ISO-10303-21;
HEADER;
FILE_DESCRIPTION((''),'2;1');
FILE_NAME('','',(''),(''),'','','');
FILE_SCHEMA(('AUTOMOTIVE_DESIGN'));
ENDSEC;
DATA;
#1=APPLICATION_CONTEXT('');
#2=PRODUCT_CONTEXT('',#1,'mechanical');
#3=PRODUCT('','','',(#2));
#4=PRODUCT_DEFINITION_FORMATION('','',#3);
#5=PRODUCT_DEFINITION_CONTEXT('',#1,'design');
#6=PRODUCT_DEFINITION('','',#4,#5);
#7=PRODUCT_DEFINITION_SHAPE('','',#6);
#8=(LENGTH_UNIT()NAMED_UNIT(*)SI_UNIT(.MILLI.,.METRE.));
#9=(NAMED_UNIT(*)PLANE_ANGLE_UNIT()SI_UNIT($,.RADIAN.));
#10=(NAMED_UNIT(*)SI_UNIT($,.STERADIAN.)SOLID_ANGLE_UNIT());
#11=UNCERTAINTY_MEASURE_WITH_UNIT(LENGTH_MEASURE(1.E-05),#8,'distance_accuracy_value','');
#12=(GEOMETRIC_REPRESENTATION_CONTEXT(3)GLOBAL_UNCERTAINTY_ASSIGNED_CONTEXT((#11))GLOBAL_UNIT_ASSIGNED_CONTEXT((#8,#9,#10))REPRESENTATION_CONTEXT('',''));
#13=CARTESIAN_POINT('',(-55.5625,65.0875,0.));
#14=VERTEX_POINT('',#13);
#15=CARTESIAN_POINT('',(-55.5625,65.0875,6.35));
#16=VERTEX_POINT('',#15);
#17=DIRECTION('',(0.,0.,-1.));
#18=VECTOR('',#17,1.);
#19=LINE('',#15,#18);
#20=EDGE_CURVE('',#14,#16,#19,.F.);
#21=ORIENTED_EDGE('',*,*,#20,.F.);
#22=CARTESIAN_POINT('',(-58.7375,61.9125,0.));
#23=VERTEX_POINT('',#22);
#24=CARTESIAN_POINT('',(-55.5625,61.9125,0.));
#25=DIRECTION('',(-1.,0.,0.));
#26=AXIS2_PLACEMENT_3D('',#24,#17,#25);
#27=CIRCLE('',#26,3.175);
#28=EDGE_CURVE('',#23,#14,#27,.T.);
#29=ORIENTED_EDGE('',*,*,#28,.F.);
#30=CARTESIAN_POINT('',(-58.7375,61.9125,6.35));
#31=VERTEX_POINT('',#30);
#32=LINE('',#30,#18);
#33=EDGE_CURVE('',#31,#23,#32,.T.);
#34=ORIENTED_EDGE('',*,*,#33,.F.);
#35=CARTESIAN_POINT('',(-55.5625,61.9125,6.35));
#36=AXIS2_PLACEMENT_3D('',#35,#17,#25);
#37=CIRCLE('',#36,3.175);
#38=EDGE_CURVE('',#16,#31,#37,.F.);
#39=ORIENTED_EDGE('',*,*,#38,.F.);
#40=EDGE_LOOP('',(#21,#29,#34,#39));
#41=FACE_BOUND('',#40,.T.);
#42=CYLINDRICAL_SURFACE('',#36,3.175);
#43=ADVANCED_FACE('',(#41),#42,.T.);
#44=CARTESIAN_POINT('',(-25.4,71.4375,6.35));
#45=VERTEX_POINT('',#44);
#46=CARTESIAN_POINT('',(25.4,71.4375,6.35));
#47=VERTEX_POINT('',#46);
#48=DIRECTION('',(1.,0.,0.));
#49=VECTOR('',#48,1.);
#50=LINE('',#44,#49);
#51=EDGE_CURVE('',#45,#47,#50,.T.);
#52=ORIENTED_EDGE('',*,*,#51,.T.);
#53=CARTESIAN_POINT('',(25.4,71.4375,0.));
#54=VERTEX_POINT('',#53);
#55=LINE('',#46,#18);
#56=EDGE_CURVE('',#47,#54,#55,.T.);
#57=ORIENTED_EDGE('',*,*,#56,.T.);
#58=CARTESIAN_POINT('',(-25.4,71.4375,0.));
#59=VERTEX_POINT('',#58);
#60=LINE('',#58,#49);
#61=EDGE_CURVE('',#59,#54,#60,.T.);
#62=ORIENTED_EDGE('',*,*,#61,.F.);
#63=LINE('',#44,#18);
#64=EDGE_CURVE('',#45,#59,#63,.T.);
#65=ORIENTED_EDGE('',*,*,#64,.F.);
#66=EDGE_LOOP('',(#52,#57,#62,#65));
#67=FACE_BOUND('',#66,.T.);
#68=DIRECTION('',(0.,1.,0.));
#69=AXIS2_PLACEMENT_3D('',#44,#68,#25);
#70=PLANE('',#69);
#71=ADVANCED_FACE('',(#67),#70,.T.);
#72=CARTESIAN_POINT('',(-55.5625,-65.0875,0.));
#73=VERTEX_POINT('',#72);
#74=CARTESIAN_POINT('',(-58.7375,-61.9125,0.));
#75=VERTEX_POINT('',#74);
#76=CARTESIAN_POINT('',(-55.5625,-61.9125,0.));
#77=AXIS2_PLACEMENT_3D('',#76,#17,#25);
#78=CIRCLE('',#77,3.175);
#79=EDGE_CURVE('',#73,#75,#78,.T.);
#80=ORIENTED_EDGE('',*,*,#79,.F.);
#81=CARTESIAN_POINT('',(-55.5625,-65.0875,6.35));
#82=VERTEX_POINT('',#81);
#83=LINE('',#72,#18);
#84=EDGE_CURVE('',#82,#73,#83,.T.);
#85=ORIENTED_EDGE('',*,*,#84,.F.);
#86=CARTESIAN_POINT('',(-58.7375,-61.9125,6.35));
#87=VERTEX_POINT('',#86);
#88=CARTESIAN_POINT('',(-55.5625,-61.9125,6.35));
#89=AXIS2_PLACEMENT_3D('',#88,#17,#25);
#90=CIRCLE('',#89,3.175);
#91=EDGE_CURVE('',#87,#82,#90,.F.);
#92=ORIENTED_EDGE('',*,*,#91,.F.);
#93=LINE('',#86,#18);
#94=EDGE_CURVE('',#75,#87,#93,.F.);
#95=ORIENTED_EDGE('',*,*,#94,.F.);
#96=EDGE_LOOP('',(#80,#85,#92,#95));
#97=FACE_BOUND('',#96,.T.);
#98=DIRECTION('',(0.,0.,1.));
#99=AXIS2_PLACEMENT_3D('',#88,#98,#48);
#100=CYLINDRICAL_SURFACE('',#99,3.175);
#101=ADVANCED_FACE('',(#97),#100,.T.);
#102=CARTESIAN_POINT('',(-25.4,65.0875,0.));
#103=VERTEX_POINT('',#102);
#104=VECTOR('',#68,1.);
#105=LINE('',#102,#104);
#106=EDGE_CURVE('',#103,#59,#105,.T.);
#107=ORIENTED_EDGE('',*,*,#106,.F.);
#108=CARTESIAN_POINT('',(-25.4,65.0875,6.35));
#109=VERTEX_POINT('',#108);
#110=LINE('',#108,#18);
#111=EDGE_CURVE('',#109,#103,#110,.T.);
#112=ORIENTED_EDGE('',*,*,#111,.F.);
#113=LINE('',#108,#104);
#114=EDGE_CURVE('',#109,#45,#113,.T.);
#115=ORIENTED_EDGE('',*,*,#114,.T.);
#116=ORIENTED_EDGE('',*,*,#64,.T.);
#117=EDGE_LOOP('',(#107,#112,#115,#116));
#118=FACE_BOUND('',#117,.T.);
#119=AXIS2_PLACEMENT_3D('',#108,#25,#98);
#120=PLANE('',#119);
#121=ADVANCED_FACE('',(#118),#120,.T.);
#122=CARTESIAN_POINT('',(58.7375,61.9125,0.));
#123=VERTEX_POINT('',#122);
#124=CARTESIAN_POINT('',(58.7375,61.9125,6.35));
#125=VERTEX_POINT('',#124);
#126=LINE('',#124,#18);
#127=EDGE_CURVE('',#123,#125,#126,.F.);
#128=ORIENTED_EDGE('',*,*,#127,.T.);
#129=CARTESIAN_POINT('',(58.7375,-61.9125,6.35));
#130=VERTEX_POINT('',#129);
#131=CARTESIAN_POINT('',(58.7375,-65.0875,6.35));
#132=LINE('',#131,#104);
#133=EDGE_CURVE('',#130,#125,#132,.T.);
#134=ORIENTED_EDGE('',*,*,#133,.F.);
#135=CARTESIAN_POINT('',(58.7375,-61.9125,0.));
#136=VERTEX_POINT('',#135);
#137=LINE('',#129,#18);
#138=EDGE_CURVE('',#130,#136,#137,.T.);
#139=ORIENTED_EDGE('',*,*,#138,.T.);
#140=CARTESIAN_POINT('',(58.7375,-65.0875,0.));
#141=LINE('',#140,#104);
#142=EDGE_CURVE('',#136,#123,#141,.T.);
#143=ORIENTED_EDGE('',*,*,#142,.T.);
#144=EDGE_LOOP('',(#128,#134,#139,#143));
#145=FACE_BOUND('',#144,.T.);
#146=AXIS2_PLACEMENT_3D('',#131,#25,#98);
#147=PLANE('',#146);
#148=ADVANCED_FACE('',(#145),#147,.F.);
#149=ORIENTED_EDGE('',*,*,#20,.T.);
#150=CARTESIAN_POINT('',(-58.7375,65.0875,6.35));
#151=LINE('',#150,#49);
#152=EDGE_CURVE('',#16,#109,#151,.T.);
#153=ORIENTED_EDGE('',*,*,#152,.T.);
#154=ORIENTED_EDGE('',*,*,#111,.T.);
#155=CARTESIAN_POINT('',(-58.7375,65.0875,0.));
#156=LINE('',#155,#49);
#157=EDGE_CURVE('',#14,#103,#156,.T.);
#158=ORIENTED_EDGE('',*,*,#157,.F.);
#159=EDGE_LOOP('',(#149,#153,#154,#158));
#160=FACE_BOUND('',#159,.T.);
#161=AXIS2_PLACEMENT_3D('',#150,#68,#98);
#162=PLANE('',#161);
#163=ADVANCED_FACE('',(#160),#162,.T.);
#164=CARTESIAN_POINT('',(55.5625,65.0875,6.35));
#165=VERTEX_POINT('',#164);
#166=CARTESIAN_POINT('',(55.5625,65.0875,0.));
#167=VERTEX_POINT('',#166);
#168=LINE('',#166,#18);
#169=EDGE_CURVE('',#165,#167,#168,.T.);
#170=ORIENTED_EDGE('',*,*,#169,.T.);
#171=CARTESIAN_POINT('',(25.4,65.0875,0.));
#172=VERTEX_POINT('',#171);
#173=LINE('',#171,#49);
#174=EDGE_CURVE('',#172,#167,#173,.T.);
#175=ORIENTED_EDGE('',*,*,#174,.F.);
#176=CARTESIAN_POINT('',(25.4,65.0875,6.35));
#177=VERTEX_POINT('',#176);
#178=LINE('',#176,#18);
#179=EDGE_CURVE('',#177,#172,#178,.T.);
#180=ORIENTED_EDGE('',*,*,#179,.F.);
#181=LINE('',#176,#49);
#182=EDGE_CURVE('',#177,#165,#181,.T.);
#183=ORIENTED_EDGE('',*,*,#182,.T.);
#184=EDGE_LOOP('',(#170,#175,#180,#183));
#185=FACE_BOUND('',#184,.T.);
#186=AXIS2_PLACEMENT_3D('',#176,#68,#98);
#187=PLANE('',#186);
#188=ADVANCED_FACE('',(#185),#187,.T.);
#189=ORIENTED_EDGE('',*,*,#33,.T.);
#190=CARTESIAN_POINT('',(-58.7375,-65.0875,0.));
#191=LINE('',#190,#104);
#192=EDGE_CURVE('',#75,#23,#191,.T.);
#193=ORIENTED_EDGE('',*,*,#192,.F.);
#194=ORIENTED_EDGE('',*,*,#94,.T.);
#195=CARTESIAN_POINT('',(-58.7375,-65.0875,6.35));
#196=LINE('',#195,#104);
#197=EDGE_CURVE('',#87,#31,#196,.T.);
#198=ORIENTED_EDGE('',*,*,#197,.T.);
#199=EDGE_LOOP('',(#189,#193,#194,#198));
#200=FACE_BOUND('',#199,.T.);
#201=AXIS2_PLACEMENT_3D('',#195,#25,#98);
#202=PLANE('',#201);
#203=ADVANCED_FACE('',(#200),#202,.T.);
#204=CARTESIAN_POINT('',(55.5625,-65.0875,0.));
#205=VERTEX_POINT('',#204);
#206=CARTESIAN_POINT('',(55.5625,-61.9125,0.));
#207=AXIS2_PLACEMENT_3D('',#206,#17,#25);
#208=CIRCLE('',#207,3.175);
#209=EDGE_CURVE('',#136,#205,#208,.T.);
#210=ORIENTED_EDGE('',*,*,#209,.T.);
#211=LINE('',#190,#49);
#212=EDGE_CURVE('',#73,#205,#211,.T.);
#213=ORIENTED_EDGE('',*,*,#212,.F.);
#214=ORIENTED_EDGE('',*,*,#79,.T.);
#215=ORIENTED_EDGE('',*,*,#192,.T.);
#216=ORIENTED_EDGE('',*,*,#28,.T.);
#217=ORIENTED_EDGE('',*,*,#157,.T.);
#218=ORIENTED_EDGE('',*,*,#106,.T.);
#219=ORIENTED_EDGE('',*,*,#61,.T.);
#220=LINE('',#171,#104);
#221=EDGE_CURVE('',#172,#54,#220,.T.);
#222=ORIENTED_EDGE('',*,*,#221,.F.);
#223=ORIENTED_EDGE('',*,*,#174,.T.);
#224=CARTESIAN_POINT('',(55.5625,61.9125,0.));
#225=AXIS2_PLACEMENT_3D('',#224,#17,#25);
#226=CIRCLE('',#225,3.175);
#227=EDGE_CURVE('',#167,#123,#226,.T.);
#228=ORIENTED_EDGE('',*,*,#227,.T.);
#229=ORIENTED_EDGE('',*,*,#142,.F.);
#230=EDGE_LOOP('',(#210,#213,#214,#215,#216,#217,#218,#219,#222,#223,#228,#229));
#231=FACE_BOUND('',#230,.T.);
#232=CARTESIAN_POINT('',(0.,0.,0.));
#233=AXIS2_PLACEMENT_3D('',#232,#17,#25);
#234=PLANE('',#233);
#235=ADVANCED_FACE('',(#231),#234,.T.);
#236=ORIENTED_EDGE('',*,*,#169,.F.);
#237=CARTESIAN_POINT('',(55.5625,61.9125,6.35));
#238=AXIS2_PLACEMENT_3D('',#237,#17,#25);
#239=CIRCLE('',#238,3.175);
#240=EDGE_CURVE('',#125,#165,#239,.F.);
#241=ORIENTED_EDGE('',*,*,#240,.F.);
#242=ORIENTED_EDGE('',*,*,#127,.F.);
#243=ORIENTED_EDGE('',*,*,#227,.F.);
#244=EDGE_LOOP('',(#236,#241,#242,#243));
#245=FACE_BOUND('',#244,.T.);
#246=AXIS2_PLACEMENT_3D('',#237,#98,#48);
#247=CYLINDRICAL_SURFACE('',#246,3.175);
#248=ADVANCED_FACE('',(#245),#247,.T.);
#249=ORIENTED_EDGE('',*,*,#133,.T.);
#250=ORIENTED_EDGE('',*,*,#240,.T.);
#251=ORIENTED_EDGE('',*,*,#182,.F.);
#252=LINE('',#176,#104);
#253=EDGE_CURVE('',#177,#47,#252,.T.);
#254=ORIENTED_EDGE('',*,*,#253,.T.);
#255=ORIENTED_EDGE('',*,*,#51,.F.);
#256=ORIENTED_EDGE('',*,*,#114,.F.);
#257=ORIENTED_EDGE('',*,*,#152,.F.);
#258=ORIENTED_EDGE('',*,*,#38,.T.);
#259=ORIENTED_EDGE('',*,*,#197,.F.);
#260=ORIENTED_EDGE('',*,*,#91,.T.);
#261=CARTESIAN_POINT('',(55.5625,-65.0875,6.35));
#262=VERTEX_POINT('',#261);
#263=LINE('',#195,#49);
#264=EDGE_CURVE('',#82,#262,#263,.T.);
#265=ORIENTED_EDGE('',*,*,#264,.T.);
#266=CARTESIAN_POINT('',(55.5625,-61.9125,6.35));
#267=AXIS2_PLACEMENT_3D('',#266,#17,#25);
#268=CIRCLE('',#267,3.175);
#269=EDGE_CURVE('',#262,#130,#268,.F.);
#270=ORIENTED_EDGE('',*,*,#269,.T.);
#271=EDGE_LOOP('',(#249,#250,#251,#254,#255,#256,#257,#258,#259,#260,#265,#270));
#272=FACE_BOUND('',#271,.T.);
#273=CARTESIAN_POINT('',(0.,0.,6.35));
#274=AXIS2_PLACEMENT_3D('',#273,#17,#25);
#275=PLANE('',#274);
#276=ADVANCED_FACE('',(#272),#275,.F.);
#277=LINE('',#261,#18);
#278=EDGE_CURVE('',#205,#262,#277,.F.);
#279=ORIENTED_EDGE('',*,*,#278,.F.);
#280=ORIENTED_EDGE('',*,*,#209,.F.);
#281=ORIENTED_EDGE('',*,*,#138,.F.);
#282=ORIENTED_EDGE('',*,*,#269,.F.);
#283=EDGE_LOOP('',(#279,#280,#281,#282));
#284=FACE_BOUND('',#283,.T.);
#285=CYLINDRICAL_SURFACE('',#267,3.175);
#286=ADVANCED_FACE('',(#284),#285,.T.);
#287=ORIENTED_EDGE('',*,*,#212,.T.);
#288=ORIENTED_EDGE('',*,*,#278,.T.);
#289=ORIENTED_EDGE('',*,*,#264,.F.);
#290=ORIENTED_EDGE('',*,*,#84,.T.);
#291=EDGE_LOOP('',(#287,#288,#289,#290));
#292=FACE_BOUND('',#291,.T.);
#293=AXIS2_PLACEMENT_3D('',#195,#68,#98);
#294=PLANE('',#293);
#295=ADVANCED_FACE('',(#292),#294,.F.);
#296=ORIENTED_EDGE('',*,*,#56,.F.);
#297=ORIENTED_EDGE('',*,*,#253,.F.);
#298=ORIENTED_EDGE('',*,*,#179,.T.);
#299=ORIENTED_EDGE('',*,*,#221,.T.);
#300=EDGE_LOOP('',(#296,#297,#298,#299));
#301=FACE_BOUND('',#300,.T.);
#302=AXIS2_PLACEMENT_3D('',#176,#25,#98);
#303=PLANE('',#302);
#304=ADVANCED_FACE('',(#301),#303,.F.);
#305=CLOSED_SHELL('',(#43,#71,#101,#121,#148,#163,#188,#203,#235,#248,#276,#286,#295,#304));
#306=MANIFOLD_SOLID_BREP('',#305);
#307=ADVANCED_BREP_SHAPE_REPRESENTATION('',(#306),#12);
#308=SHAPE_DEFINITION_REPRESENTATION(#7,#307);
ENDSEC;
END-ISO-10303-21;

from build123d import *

# Parameters (mm, degrees)
BOSS_EXTRUDE1_DEPTH = 6.35
FILLET1_R           = 3.175


with BuildPart() as part:
    # Sketch2 → Boss-Extrude1 (new body)
    with BuildSketch(Plane.XY):
        Polygon((25.4, 65.0875), (58.7375, 65.0875), (58.7375, -65.0875), (-58.7375, -65.0875), (-58.7375, 65.0875), (-25.4, 65.0875), (-25.4, 71.4375), (25.4, 71.4375), align=None)
    extrude(amount=BOSS_EXTRUDE1_DEPTH)

    # Fillet1
    fillet1_edges = [part.edges().sort_by_distance(p)[0] for p in [
        (-58.7375, -65.0875, 3.175),
        (58.7375, -65.0875, 3.175),
        (58.7375, 65.0875, 3.175),
        (-58.7375, 65.0875, 3.175),
    ]]
    fillet(fillet1_edges, radius=FILLET1_R)


solid = part.part
